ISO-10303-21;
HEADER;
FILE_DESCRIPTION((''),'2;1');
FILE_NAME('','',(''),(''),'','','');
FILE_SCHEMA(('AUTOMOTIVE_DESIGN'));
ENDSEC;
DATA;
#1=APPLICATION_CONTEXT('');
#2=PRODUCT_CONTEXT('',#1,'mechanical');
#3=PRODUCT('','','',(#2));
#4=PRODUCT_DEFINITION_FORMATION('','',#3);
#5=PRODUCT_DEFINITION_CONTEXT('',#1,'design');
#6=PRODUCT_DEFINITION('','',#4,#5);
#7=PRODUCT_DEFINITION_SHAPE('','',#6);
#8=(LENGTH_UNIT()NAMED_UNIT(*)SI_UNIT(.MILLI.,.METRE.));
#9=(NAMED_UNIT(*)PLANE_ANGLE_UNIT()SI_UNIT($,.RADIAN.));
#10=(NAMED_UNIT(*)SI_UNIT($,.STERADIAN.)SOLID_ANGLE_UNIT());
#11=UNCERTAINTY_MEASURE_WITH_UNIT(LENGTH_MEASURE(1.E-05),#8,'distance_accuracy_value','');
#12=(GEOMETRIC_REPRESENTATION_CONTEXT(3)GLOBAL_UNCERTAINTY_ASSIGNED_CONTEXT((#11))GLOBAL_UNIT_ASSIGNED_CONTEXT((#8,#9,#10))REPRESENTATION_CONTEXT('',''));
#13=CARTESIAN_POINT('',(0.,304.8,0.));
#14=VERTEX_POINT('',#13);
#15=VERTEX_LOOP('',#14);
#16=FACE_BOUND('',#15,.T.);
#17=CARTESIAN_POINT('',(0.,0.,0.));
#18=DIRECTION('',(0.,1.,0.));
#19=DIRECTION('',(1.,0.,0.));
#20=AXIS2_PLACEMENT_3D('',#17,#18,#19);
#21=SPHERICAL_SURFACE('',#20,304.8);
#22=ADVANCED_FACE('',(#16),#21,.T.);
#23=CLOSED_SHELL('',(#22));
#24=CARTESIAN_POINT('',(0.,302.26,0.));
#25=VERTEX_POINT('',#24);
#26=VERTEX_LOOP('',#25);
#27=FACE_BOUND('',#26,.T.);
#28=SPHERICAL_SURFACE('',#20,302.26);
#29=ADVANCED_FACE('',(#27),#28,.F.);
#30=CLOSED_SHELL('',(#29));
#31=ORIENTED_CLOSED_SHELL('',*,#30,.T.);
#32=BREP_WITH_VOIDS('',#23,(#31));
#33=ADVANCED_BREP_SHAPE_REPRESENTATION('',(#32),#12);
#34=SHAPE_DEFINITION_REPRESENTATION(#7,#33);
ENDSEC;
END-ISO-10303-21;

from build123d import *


with BuildPart() as part:
    # Sketch1 → Revolve-Thin1 (revolve)
    with BuildSketch(Plane.XY):
        with BuildLine():
            ThreePointArc((0, 304.8), (304.8, 0), (0, -304.8))
            Line((0, -304.8), (0, -302.26))
            ThreePointArc((0, -302.26), (302.26, 0), (0, 302.26))
            Line((0, 302.26), (0, 304.8))
        make_face()
    revolve(axis=Axis((0, 56.592804598, 0), (0, -1, 0)))


solid = part.part
